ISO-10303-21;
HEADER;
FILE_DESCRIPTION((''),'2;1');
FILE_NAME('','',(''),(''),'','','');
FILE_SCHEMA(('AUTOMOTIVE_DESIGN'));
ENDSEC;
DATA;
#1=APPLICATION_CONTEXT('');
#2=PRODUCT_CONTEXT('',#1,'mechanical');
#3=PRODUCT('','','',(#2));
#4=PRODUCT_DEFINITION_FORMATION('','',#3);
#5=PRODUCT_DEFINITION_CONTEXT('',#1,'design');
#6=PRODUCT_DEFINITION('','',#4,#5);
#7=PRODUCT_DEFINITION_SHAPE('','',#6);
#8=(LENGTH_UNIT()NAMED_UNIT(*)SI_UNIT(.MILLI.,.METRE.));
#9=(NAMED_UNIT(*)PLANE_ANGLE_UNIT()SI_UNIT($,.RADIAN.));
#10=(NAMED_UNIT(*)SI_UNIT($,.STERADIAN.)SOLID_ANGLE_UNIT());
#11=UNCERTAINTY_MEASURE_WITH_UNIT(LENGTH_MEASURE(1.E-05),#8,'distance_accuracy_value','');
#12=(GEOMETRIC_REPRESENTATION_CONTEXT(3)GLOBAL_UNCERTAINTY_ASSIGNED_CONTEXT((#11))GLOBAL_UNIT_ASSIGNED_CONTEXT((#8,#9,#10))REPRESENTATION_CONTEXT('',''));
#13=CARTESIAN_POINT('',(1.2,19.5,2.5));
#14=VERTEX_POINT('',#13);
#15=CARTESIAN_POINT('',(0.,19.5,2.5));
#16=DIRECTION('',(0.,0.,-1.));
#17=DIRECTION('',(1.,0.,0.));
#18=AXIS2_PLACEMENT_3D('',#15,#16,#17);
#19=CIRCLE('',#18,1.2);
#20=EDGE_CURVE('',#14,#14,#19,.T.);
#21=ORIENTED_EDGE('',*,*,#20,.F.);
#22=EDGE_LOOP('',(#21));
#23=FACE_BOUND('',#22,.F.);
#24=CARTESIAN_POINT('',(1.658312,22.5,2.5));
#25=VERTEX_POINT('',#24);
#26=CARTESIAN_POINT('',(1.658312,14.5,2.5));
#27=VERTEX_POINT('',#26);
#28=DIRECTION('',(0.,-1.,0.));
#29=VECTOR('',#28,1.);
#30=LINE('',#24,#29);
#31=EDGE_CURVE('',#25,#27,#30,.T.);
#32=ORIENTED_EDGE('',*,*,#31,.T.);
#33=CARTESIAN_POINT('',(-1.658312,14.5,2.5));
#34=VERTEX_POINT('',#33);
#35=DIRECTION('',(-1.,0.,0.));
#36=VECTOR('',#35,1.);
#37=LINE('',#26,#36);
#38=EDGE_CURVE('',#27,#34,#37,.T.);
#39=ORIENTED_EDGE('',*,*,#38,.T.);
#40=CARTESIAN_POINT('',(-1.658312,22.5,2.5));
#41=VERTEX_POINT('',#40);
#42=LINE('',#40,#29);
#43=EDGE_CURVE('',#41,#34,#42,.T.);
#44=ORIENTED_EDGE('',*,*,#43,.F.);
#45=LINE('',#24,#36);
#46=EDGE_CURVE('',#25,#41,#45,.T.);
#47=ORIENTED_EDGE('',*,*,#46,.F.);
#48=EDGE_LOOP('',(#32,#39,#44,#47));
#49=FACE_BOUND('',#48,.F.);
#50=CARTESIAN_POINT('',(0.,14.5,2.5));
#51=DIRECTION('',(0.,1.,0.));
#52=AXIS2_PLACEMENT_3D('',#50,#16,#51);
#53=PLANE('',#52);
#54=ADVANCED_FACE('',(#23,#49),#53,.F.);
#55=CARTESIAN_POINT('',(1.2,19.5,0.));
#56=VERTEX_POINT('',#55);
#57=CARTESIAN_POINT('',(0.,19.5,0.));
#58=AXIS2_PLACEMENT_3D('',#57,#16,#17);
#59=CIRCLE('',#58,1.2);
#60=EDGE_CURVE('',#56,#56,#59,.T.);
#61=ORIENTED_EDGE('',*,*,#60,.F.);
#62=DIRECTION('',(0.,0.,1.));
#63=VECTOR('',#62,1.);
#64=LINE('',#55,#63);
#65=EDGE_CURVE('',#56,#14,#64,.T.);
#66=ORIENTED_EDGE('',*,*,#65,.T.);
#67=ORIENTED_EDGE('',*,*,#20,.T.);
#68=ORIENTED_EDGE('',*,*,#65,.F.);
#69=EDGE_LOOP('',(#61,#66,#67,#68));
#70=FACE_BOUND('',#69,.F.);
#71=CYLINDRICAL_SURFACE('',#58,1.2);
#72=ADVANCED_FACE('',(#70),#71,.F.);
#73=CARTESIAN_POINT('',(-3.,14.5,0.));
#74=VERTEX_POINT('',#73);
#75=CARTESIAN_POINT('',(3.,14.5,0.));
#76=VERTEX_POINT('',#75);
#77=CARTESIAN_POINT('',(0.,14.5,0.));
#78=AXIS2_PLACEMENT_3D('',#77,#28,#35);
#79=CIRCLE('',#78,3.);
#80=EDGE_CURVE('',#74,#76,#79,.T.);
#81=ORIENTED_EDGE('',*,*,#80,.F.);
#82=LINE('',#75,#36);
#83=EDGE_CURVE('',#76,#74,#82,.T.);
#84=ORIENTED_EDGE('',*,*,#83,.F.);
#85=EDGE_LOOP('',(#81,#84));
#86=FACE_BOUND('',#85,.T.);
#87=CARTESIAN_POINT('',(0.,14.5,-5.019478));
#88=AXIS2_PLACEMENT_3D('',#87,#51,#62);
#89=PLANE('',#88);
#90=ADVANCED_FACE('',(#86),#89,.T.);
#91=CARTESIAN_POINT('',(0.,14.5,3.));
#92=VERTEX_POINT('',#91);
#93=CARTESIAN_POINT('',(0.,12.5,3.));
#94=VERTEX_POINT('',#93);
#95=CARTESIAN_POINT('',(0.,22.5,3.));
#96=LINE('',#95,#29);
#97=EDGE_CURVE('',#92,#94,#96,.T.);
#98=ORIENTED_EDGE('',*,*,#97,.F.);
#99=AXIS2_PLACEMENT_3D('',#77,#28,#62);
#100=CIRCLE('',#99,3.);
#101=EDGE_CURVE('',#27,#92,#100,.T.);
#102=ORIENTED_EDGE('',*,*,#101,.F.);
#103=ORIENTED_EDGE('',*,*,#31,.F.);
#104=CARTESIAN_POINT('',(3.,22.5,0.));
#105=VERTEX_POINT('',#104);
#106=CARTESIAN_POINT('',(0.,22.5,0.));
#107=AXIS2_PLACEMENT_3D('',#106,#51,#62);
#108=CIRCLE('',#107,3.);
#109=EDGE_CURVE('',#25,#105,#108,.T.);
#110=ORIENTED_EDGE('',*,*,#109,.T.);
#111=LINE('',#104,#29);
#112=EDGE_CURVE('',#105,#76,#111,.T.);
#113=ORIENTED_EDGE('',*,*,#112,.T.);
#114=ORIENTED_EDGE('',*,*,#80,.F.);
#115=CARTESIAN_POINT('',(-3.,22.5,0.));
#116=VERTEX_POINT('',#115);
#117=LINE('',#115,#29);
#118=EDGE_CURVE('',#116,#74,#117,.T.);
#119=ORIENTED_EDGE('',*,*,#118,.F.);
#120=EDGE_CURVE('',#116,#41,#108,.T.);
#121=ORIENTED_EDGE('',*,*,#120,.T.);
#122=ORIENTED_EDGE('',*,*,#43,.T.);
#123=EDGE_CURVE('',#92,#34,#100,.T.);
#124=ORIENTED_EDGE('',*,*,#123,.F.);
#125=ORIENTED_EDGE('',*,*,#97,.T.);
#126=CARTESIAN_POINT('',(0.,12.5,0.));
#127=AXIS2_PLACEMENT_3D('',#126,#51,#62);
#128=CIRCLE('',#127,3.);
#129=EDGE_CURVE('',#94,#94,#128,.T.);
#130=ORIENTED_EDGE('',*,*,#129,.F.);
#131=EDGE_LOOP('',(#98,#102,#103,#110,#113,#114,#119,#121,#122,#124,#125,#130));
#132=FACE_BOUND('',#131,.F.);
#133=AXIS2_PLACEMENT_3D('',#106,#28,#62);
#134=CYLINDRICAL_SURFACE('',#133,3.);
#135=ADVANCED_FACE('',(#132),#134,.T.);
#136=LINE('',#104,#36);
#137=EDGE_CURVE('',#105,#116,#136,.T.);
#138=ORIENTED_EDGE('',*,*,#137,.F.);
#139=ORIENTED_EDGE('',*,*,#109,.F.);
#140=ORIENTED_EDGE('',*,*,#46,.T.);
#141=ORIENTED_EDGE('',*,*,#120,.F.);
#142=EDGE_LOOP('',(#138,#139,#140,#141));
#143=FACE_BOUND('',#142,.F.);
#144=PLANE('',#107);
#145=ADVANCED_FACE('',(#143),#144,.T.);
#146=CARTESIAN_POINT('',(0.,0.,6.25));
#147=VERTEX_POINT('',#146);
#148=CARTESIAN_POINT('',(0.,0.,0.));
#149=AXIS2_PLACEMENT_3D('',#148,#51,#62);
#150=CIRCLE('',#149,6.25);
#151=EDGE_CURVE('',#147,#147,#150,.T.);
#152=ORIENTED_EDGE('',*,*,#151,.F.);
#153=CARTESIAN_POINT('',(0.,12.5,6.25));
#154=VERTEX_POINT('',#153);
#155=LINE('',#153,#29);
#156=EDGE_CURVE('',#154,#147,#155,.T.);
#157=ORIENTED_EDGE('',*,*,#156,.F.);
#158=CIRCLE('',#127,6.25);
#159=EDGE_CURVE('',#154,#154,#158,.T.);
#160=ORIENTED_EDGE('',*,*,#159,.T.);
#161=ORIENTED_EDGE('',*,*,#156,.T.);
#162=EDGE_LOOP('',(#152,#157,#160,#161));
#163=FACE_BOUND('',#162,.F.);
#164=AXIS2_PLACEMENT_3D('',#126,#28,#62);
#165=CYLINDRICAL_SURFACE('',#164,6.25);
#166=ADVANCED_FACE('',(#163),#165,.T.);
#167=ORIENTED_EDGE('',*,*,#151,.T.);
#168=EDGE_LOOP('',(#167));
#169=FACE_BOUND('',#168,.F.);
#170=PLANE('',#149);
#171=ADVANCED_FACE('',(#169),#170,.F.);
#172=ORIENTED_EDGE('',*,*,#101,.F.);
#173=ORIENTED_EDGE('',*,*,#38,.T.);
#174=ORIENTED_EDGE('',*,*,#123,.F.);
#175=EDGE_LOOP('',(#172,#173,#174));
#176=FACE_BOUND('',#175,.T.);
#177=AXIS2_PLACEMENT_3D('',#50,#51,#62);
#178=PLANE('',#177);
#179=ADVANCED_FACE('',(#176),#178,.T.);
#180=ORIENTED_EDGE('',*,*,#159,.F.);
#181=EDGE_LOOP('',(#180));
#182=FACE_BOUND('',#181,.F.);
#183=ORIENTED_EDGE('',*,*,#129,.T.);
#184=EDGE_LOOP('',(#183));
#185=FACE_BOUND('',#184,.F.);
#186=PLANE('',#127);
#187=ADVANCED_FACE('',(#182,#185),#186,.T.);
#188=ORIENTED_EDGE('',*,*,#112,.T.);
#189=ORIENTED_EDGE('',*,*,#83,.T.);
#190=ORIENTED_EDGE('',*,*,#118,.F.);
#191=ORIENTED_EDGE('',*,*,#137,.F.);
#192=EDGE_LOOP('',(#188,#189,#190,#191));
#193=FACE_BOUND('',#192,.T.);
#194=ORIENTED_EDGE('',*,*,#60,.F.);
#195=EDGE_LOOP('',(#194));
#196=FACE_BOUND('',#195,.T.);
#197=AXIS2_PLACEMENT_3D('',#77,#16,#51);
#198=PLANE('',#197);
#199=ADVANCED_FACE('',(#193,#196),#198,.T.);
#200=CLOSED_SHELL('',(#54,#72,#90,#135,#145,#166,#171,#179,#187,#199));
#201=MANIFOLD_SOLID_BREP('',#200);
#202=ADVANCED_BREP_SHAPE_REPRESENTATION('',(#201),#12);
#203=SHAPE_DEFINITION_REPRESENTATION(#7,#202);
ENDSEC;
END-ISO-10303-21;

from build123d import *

# Parameters (mm, degrees)
F2_W          = 9.5753744735
F2_H          = 5.0194775218
F2_H_2        = 2.1959905885
F3_DEPTH      = 6.251
F3_DEPTH_BACK = 6.251
F4_R          = 1.2
F5_DEPTH      = 6.251


with BuildPart() as f1:
    # F0 (on Right) → F1 (revolve)
    with BuildSketch(Plane.YZ):
        Polygon((0, 6.25), (0, 0), (22.5, 0), (22.5, 3), (12.5, 3), (12.5, 6.25), align=None)
    revolve(axis=Axis((0, 13.297872428, 0), (0, 1, 0)))

    # F2 (on Right) → F3 (cut, two sides)
    with BuildSketch(Plane.YZ) as f3_sk:
        with Locations((19.2876872367, -2.5097387609)):
            Rectangle(F2_W, F2_H)
        with Locations((19.2876872367, 3.5979952943)):
            Rectangle(F2_W, F2_H_2)
    extrude(amount=-F3_DEPTH, mode=Mode.SUBTRACT)
    extrude(f3_sk.sketch, amount=F3_DEPTH_BACK, mode=Mode.SUBTRACT)

    # F4 (on face) → F5 (cut, through all)
    with BuildSketch(Plane(origin=(0, 0, 0), x_dir=(1, 0, 0), z_dir=(0, 0, -1))):
        with Locations((0, -19.5)):
            Circle(F4_R)
    extrude(amount=-F5_DEPTH, mode=Mode.SUBTRACT)


solid = f1.part
